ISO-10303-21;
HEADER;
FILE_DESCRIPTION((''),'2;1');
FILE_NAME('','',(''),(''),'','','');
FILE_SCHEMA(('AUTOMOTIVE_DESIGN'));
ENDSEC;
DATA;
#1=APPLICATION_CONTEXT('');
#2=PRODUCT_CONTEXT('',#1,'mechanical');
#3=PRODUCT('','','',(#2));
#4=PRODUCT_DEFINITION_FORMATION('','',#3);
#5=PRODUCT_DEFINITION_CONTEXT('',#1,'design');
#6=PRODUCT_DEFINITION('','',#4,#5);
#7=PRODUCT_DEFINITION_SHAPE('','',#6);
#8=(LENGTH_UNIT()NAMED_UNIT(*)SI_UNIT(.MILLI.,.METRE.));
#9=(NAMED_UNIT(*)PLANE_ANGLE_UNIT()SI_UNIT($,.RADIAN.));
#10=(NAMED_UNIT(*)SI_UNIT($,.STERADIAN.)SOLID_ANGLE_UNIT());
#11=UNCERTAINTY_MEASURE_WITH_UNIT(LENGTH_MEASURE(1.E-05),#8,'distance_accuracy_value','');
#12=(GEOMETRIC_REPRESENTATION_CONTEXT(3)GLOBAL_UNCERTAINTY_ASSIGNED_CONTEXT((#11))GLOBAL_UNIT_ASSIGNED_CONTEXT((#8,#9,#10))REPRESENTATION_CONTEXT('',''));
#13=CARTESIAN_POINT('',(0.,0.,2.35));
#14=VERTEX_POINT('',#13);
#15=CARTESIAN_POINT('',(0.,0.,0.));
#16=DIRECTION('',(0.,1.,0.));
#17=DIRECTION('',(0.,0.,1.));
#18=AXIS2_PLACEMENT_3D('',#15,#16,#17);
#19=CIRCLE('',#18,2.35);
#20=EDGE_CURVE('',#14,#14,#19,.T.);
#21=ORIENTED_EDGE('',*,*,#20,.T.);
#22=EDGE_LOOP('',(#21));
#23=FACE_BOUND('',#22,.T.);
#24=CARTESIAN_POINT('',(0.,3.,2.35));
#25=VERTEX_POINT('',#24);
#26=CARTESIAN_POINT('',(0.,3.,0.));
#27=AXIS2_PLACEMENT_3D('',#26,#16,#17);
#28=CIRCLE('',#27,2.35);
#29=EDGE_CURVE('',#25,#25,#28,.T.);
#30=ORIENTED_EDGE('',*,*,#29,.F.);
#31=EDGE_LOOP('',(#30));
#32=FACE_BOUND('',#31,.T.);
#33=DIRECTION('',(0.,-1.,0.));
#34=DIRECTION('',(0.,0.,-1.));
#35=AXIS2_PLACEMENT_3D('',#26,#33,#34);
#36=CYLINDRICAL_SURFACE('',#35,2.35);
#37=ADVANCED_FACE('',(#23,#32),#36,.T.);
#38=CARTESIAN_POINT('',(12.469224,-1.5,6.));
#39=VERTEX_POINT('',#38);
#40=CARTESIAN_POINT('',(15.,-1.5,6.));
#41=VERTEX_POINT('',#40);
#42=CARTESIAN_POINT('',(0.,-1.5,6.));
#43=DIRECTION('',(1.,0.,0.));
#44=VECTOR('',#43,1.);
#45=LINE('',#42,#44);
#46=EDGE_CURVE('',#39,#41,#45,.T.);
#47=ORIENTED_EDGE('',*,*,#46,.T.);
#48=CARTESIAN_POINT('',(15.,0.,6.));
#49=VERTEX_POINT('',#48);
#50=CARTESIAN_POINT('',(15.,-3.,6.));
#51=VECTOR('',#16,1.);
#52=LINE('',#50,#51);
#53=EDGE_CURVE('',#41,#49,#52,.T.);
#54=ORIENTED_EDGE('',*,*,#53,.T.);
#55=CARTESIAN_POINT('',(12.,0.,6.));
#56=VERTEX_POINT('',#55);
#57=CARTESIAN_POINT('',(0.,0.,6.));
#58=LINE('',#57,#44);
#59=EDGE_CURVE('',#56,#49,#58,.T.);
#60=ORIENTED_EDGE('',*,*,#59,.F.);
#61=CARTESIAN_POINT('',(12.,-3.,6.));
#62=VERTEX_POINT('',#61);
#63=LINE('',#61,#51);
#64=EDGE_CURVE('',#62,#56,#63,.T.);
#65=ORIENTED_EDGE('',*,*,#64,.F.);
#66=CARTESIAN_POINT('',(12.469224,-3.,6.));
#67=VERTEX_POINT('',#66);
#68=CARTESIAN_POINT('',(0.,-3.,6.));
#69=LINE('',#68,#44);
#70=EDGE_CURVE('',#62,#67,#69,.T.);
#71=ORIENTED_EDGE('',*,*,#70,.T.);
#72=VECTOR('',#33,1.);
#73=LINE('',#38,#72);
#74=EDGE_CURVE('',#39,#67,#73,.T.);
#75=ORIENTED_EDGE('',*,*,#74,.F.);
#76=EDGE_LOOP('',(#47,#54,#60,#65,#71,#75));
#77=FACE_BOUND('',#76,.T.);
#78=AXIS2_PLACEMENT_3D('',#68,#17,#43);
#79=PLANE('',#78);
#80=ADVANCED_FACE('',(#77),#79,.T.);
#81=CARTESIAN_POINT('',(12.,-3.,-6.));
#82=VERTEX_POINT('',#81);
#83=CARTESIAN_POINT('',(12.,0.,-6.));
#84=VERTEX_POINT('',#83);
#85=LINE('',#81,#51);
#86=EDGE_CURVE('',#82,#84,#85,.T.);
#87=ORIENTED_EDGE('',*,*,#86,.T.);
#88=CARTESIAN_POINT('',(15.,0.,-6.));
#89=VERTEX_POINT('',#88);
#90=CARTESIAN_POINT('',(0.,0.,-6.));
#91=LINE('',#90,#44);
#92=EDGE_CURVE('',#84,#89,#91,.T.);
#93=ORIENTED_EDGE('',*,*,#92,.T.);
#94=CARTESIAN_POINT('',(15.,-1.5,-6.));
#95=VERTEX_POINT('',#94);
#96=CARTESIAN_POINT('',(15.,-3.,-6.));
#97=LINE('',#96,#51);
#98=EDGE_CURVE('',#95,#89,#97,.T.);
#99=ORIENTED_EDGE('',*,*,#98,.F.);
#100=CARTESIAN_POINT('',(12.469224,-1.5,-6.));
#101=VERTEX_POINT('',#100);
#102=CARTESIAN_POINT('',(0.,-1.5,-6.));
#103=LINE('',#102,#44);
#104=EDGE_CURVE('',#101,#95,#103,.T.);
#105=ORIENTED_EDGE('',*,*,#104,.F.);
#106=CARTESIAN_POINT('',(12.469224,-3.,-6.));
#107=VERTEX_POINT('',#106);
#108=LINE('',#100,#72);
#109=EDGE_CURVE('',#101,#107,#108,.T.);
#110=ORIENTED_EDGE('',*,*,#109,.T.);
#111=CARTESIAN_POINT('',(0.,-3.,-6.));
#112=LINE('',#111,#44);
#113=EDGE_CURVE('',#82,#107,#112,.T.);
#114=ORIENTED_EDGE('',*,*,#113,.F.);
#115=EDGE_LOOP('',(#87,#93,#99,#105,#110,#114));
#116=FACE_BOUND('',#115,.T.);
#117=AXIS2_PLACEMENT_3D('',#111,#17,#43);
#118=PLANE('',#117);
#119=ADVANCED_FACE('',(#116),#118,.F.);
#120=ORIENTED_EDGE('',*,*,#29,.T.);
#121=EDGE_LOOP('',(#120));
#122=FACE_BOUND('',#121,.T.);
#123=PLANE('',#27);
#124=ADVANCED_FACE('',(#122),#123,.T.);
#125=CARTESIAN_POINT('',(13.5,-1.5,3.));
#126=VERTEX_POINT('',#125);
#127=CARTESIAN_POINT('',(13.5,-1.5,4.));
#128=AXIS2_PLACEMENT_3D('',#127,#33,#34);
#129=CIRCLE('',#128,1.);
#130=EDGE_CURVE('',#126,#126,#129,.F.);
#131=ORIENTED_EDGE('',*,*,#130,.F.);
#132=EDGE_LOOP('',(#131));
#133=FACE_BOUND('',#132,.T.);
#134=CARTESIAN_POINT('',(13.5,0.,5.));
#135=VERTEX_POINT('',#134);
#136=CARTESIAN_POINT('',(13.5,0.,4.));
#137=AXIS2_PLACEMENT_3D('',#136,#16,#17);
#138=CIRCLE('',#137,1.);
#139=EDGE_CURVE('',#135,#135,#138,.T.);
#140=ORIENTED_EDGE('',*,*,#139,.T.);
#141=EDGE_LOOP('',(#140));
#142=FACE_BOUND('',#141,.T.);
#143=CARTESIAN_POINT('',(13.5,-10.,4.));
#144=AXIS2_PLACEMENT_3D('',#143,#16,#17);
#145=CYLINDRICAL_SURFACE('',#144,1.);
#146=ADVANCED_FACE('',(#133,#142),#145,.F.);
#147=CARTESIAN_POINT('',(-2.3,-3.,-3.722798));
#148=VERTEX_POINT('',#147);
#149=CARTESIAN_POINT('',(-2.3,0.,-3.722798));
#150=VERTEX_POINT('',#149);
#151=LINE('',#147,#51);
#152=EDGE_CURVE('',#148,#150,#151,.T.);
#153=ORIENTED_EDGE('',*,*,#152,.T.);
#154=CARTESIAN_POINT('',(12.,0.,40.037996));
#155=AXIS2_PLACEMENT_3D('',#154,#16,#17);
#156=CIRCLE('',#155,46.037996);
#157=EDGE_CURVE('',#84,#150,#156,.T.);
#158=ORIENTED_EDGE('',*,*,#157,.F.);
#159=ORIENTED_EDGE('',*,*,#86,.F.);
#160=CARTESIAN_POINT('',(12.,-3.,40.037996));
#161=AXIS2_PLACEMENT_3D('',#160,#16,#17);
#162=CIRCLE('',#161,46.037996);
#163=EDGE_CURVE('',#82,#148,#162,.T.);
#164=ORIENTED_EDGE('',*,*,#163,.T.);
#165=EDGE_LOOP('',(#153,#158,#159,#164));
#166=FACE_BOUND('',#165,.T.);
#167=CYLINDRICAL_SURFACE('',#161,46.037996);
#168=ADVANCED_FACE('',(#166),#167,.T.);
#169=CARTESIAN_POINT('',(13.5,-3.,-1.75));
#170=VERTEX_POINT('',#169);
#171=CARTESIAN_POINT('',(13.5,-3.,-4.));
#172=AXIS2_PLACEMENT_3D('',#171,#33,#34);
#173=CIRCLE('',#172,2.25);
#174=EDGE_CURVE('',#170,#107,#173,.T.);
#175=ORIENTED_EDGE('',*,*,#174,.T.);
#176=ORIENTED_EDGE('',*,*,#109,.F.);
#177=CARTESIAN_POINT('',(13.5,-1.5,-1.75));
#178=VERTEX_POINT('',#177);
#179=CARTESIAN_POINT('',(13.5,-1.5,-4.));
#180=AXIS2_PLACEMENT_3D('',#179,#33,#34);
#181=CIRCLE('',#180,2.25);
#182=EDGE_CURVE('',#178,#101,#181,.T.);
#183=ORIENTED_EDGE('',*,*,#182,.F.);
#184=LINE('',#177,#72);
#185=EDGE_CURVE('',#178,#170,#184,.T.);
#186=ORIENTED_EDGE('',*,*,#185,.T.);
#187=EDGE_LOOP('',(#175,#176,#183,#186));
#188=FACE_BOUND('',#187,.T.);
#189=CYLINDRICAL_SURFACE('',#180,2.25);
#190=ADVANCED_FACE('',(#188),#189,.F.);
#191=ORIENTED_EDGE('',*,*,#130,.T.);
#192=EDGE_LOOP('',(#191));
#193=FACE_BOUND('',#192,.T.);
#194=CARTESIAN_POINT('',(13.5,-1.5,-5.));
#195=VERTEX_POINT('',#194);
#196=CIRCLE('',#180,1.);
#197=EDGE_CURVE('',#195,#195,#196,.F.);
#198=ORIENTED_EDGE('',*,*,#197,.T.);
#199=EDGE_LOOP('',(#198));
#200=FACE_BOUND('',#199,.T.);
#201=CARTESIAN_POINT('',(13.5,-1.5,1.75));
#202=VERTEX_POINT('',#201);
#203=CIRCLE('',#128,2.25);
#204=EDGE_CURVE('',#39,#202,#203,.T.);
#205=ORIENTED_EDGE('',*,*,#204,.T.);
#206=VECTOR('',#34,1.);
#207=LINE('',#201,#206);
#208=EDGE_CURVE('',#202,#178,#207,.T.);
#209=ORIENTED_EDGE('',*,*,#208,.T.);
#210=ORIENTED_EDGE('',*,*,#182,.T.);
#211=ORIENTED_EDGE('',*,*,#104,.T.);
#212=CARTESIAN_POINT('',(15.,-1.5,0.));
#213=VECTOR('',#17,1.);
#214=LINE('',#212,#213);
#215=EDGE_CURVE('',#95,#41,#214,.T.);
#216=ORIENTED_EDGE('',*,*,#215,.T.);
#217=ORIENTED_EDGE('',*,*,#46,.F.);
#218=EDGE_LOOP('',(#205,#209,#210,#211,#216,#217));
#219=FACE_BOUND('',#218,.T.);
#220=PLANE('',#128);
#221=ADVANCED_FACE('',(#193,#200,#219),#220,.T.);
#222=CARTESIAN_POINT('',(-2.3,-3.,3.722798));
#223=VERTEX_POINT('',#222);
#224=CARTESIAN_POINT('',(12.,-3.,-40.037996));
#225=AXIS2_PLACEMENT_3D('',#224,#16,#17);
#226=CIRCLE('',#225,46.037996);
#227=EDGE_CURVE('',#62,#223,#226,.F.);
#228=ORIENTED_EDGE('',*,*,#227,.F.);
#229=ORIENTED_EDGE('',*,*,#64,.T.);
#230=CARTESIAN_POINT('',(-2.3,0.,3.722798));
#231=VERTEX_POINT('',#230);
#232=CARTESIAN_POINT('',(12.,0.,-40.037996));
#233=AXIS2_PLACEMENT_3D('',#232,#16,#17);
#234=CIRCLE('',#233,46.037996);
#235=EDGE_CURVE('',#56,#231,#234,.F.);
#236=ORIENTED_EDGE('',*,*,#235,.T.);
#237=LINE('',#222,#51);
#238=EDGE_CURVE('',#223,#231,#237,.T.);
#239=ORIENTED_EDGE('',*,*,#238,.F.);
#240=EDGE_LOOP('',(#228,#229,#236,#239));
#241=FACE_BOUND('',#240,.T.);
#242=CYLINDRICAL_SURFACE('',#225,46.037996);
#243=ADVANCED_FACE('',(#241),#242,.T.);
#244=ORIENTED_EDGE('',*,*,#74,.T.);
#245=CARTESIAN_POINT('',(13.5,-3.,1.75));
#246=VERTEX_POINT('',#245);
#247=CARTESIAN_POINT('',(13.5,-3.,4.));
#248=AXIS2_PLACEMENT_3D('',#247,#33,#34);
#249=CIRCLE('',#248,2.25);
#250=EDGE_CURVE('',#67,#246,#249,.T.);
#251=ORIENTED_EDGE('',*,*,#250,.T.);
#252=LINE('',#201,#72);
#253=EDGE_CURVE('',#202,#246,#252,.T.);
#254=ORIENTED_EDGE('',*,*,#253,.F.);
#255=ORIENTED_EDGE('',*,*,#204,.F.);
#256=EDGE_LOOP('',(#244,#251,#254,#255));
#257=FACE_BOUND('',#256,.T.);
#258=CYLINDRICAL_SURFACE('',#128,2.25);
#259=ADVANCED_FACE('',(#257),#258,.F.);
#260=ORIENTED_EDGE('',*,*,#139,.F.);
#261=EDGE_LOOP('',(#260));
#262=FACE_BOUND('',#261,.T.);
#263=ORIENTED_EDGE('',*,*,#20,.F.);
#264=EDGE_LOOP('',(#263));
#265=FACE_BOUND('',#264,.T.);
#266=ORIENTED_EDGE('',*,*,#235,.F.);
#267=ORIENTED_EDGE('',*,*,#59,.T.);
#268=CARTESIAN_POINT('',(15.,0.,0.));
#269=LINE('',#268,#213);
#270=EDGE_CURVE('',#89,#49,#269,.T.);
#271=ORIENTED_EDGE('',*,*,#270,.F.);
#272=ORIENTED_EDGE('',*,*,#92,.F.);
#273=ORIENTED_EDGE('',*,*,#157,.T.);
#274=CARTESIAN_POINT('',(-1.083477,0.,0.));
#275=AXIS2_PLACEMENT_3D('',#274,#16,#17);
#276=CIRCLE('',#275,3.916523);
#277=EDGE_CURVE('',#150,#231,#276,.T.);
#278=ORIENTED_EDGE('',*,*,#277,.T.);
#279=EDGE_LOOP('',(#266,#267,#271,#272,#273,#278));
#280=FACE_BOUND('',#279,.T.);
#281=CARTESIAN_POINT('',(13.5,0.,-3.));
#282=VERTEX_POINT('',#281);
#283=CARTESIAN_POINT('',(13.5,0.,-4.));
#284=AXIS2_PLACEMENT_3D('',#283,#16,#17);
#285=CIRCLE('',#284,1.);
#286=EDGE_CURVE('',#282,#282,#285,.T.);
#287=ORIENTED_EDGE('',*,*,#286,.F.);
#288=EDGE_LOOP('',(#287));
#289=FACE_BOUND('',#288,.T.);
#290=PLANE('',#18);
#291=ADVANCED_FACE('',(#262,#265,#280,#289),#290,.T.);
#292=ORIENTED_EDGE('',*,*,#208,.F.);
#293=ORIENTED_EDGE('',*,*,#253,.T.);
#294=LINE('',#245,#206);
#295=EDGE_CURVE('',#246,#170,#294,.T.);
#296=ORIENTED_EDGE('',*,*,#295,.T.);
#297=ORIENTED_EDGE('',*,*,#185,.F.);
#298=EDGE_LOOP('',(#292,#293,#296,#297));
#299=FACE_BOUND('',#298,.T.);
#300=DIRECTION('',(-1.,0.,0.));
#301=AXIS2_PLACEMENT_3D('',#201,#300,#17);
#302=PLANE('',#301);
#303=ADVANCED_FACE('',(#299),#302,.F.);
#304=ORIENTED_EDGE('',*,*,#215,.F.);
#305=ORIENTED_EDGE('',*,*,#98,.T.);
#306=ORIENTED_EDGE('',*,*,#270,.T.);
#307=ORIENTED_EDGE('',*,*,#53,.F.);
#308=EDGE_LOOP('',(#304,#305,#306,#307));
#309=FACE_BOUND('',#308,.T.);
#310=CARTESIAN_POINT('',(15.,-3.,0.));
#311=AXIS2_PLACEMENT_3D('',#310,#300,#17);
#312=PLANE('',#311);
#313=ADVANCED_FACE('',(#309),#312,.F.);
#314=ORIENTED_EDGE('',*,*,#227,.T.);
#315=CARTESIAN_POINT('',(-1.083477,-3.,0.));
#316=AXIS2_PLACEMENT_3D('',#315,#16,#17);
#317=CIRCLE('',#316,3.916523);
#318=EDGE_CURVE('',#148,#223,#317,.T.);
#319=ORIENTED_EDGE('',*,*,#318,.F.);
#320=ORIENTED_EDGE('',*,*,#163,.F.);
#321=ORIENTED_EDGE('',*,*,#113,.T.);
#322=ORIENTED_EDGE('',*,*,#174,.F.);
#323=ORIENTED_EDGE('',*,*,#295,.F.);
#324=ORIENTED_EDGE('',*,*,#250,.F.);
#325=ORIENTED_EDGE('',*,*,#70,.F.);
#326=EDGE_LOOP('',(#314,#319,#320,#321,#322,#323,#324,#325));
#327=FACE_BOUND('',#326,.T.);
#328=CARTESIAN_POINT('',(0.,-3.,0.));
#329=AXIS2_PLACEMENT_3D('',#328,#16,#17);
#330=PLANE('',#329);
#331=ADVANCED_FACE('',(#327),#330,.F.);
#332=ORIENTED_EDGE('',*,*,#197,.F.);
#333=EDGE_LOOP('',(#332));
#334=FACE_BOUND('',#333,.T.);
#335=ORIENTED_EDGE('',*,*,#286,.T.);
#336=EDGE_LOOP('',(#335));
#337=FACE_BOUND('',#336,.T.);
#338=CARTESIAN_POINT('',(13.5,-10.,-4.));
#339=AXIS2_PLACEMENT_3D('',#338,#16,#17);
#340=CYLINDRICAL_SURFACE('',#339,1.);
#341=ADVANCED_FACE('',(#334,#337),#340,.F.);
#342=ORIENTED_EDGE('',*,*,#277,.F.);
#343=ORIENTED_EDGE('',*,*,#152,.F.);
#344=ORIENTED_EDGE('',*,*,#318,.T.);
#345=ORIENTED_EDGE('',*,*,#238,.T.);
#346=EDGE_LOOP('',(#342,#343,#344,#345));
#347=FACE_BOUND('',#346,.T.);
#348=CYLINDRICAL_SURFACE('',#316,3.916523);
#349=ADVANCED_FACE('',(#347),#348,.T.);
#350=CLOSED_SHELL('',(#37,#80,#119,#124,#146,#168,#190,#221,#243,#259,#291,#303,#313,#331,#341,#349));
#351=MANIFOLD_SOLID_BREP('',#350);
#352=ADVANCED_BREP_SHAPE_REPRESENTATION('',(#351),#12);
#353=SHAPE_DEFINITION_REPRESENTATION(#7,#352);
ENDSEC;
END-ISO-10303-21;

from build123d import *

# Parameters (mm, degrees)
BOSS_EXTRUDE1_DEPTH     = 3
ESQUISSE3_R             = 2.35
BOSS_EXTRU_2_DEPTH      = 3
ESQUISSE4_R             = 1
ENL_V_MAT_EXTRU_1_DEPTH = 10
ENL_V_MAT_EXTRU_2_DEPTH = 1.5


with BuildPart() as part:
    # Sketch1 → Boss-Extrude1 (new body)
    with BuildSketch(Plane(origin=(0, 0, 0), x_dir=(1, 0, 0), z_dir=(0, 1, 0))):
        with BuildLine():
            Line((15, 6), (12, 6))
            ThreePointArc((12, 6), (4.759909364, 5.427135296), (-2.3, 3.72279784))
            ThreePointArc((-2.3, 3.72279784), (-5, 0), (-2.3, -3.72279784))
            ThreePointArc((-2.3, -3.72279784), (4.759909364, -5.427135296), (12, -6))
            Line((12, -6), (15, -6))
            Line((15, -6), (15, 6))
        make_face()
    extrude(amount=-BOSS_EXTRUDE1_DEPTH)

    # Esquisse3 → Boss.-Extru.2 (add)
    with BuildSketch(Plane(origin=(0, 0, 0), x_dir=(1, 0, 0), z_dir=(0, 1, 0))):
        with Locations(Location((0, 0, 0), (0, 0, 270))):
            Circle(ESQUISSE3_R)
    extrude(amount=BOSS_EXTRU_2_DEPTH)

    # Esquisse4 → Enlèv. mat.-Extru.1 (cut)
    with BuildSketch(Plane(origin=(0, 0, 0), x_dir=(1, 0, 0), z_dir=(0, 1, 0))):
        with Locations(Location((13.5, -4, 0), (0, 0, 270))):
            Circle(ESQUISSE4_R)
        with Locations(Location((13.5, 4, 0), (0, 0, 270))):
            Circle(ESQUISSE4_R)
    extrude(amount=-ENL_V_MAT_EXTRU_1_DEPTH, mode=Mode.SUBTRACT)

    # Esquisse5 → Enlèv. mat.-Extru.2 (cut)
    with BuildSketch(Plane.XZ.offset(3)):
        with BuildLine():
            Line((13.5, 6.25), (13.5, 10.037760659))
            Line((13.5, 10.037760659), (19.160989733, 10.037760659))
            Line((19.160989733, 10.037760659), (18.711161689, -10.096981605))
            Line((18.711161689, -10.096981605), (13.5, -10.096981605))
            Line((13.5, -10.096981605), (13.5, -6.25))
            ThreePointArc((13.5, -6.25), (11.25, -4), (13.5, -1.75))
            Line((13.5, -1.75), (13.5, 1.75))
            ThreePointArc((13.5, 1.75), (11.25, 4), (13.5, 6.25))
        make_face()
    extrude(amount=-ENL_V_MAT_EXTRU_2_DEPTH, mode=Mode.SUBTRACT)


solid = part.part
